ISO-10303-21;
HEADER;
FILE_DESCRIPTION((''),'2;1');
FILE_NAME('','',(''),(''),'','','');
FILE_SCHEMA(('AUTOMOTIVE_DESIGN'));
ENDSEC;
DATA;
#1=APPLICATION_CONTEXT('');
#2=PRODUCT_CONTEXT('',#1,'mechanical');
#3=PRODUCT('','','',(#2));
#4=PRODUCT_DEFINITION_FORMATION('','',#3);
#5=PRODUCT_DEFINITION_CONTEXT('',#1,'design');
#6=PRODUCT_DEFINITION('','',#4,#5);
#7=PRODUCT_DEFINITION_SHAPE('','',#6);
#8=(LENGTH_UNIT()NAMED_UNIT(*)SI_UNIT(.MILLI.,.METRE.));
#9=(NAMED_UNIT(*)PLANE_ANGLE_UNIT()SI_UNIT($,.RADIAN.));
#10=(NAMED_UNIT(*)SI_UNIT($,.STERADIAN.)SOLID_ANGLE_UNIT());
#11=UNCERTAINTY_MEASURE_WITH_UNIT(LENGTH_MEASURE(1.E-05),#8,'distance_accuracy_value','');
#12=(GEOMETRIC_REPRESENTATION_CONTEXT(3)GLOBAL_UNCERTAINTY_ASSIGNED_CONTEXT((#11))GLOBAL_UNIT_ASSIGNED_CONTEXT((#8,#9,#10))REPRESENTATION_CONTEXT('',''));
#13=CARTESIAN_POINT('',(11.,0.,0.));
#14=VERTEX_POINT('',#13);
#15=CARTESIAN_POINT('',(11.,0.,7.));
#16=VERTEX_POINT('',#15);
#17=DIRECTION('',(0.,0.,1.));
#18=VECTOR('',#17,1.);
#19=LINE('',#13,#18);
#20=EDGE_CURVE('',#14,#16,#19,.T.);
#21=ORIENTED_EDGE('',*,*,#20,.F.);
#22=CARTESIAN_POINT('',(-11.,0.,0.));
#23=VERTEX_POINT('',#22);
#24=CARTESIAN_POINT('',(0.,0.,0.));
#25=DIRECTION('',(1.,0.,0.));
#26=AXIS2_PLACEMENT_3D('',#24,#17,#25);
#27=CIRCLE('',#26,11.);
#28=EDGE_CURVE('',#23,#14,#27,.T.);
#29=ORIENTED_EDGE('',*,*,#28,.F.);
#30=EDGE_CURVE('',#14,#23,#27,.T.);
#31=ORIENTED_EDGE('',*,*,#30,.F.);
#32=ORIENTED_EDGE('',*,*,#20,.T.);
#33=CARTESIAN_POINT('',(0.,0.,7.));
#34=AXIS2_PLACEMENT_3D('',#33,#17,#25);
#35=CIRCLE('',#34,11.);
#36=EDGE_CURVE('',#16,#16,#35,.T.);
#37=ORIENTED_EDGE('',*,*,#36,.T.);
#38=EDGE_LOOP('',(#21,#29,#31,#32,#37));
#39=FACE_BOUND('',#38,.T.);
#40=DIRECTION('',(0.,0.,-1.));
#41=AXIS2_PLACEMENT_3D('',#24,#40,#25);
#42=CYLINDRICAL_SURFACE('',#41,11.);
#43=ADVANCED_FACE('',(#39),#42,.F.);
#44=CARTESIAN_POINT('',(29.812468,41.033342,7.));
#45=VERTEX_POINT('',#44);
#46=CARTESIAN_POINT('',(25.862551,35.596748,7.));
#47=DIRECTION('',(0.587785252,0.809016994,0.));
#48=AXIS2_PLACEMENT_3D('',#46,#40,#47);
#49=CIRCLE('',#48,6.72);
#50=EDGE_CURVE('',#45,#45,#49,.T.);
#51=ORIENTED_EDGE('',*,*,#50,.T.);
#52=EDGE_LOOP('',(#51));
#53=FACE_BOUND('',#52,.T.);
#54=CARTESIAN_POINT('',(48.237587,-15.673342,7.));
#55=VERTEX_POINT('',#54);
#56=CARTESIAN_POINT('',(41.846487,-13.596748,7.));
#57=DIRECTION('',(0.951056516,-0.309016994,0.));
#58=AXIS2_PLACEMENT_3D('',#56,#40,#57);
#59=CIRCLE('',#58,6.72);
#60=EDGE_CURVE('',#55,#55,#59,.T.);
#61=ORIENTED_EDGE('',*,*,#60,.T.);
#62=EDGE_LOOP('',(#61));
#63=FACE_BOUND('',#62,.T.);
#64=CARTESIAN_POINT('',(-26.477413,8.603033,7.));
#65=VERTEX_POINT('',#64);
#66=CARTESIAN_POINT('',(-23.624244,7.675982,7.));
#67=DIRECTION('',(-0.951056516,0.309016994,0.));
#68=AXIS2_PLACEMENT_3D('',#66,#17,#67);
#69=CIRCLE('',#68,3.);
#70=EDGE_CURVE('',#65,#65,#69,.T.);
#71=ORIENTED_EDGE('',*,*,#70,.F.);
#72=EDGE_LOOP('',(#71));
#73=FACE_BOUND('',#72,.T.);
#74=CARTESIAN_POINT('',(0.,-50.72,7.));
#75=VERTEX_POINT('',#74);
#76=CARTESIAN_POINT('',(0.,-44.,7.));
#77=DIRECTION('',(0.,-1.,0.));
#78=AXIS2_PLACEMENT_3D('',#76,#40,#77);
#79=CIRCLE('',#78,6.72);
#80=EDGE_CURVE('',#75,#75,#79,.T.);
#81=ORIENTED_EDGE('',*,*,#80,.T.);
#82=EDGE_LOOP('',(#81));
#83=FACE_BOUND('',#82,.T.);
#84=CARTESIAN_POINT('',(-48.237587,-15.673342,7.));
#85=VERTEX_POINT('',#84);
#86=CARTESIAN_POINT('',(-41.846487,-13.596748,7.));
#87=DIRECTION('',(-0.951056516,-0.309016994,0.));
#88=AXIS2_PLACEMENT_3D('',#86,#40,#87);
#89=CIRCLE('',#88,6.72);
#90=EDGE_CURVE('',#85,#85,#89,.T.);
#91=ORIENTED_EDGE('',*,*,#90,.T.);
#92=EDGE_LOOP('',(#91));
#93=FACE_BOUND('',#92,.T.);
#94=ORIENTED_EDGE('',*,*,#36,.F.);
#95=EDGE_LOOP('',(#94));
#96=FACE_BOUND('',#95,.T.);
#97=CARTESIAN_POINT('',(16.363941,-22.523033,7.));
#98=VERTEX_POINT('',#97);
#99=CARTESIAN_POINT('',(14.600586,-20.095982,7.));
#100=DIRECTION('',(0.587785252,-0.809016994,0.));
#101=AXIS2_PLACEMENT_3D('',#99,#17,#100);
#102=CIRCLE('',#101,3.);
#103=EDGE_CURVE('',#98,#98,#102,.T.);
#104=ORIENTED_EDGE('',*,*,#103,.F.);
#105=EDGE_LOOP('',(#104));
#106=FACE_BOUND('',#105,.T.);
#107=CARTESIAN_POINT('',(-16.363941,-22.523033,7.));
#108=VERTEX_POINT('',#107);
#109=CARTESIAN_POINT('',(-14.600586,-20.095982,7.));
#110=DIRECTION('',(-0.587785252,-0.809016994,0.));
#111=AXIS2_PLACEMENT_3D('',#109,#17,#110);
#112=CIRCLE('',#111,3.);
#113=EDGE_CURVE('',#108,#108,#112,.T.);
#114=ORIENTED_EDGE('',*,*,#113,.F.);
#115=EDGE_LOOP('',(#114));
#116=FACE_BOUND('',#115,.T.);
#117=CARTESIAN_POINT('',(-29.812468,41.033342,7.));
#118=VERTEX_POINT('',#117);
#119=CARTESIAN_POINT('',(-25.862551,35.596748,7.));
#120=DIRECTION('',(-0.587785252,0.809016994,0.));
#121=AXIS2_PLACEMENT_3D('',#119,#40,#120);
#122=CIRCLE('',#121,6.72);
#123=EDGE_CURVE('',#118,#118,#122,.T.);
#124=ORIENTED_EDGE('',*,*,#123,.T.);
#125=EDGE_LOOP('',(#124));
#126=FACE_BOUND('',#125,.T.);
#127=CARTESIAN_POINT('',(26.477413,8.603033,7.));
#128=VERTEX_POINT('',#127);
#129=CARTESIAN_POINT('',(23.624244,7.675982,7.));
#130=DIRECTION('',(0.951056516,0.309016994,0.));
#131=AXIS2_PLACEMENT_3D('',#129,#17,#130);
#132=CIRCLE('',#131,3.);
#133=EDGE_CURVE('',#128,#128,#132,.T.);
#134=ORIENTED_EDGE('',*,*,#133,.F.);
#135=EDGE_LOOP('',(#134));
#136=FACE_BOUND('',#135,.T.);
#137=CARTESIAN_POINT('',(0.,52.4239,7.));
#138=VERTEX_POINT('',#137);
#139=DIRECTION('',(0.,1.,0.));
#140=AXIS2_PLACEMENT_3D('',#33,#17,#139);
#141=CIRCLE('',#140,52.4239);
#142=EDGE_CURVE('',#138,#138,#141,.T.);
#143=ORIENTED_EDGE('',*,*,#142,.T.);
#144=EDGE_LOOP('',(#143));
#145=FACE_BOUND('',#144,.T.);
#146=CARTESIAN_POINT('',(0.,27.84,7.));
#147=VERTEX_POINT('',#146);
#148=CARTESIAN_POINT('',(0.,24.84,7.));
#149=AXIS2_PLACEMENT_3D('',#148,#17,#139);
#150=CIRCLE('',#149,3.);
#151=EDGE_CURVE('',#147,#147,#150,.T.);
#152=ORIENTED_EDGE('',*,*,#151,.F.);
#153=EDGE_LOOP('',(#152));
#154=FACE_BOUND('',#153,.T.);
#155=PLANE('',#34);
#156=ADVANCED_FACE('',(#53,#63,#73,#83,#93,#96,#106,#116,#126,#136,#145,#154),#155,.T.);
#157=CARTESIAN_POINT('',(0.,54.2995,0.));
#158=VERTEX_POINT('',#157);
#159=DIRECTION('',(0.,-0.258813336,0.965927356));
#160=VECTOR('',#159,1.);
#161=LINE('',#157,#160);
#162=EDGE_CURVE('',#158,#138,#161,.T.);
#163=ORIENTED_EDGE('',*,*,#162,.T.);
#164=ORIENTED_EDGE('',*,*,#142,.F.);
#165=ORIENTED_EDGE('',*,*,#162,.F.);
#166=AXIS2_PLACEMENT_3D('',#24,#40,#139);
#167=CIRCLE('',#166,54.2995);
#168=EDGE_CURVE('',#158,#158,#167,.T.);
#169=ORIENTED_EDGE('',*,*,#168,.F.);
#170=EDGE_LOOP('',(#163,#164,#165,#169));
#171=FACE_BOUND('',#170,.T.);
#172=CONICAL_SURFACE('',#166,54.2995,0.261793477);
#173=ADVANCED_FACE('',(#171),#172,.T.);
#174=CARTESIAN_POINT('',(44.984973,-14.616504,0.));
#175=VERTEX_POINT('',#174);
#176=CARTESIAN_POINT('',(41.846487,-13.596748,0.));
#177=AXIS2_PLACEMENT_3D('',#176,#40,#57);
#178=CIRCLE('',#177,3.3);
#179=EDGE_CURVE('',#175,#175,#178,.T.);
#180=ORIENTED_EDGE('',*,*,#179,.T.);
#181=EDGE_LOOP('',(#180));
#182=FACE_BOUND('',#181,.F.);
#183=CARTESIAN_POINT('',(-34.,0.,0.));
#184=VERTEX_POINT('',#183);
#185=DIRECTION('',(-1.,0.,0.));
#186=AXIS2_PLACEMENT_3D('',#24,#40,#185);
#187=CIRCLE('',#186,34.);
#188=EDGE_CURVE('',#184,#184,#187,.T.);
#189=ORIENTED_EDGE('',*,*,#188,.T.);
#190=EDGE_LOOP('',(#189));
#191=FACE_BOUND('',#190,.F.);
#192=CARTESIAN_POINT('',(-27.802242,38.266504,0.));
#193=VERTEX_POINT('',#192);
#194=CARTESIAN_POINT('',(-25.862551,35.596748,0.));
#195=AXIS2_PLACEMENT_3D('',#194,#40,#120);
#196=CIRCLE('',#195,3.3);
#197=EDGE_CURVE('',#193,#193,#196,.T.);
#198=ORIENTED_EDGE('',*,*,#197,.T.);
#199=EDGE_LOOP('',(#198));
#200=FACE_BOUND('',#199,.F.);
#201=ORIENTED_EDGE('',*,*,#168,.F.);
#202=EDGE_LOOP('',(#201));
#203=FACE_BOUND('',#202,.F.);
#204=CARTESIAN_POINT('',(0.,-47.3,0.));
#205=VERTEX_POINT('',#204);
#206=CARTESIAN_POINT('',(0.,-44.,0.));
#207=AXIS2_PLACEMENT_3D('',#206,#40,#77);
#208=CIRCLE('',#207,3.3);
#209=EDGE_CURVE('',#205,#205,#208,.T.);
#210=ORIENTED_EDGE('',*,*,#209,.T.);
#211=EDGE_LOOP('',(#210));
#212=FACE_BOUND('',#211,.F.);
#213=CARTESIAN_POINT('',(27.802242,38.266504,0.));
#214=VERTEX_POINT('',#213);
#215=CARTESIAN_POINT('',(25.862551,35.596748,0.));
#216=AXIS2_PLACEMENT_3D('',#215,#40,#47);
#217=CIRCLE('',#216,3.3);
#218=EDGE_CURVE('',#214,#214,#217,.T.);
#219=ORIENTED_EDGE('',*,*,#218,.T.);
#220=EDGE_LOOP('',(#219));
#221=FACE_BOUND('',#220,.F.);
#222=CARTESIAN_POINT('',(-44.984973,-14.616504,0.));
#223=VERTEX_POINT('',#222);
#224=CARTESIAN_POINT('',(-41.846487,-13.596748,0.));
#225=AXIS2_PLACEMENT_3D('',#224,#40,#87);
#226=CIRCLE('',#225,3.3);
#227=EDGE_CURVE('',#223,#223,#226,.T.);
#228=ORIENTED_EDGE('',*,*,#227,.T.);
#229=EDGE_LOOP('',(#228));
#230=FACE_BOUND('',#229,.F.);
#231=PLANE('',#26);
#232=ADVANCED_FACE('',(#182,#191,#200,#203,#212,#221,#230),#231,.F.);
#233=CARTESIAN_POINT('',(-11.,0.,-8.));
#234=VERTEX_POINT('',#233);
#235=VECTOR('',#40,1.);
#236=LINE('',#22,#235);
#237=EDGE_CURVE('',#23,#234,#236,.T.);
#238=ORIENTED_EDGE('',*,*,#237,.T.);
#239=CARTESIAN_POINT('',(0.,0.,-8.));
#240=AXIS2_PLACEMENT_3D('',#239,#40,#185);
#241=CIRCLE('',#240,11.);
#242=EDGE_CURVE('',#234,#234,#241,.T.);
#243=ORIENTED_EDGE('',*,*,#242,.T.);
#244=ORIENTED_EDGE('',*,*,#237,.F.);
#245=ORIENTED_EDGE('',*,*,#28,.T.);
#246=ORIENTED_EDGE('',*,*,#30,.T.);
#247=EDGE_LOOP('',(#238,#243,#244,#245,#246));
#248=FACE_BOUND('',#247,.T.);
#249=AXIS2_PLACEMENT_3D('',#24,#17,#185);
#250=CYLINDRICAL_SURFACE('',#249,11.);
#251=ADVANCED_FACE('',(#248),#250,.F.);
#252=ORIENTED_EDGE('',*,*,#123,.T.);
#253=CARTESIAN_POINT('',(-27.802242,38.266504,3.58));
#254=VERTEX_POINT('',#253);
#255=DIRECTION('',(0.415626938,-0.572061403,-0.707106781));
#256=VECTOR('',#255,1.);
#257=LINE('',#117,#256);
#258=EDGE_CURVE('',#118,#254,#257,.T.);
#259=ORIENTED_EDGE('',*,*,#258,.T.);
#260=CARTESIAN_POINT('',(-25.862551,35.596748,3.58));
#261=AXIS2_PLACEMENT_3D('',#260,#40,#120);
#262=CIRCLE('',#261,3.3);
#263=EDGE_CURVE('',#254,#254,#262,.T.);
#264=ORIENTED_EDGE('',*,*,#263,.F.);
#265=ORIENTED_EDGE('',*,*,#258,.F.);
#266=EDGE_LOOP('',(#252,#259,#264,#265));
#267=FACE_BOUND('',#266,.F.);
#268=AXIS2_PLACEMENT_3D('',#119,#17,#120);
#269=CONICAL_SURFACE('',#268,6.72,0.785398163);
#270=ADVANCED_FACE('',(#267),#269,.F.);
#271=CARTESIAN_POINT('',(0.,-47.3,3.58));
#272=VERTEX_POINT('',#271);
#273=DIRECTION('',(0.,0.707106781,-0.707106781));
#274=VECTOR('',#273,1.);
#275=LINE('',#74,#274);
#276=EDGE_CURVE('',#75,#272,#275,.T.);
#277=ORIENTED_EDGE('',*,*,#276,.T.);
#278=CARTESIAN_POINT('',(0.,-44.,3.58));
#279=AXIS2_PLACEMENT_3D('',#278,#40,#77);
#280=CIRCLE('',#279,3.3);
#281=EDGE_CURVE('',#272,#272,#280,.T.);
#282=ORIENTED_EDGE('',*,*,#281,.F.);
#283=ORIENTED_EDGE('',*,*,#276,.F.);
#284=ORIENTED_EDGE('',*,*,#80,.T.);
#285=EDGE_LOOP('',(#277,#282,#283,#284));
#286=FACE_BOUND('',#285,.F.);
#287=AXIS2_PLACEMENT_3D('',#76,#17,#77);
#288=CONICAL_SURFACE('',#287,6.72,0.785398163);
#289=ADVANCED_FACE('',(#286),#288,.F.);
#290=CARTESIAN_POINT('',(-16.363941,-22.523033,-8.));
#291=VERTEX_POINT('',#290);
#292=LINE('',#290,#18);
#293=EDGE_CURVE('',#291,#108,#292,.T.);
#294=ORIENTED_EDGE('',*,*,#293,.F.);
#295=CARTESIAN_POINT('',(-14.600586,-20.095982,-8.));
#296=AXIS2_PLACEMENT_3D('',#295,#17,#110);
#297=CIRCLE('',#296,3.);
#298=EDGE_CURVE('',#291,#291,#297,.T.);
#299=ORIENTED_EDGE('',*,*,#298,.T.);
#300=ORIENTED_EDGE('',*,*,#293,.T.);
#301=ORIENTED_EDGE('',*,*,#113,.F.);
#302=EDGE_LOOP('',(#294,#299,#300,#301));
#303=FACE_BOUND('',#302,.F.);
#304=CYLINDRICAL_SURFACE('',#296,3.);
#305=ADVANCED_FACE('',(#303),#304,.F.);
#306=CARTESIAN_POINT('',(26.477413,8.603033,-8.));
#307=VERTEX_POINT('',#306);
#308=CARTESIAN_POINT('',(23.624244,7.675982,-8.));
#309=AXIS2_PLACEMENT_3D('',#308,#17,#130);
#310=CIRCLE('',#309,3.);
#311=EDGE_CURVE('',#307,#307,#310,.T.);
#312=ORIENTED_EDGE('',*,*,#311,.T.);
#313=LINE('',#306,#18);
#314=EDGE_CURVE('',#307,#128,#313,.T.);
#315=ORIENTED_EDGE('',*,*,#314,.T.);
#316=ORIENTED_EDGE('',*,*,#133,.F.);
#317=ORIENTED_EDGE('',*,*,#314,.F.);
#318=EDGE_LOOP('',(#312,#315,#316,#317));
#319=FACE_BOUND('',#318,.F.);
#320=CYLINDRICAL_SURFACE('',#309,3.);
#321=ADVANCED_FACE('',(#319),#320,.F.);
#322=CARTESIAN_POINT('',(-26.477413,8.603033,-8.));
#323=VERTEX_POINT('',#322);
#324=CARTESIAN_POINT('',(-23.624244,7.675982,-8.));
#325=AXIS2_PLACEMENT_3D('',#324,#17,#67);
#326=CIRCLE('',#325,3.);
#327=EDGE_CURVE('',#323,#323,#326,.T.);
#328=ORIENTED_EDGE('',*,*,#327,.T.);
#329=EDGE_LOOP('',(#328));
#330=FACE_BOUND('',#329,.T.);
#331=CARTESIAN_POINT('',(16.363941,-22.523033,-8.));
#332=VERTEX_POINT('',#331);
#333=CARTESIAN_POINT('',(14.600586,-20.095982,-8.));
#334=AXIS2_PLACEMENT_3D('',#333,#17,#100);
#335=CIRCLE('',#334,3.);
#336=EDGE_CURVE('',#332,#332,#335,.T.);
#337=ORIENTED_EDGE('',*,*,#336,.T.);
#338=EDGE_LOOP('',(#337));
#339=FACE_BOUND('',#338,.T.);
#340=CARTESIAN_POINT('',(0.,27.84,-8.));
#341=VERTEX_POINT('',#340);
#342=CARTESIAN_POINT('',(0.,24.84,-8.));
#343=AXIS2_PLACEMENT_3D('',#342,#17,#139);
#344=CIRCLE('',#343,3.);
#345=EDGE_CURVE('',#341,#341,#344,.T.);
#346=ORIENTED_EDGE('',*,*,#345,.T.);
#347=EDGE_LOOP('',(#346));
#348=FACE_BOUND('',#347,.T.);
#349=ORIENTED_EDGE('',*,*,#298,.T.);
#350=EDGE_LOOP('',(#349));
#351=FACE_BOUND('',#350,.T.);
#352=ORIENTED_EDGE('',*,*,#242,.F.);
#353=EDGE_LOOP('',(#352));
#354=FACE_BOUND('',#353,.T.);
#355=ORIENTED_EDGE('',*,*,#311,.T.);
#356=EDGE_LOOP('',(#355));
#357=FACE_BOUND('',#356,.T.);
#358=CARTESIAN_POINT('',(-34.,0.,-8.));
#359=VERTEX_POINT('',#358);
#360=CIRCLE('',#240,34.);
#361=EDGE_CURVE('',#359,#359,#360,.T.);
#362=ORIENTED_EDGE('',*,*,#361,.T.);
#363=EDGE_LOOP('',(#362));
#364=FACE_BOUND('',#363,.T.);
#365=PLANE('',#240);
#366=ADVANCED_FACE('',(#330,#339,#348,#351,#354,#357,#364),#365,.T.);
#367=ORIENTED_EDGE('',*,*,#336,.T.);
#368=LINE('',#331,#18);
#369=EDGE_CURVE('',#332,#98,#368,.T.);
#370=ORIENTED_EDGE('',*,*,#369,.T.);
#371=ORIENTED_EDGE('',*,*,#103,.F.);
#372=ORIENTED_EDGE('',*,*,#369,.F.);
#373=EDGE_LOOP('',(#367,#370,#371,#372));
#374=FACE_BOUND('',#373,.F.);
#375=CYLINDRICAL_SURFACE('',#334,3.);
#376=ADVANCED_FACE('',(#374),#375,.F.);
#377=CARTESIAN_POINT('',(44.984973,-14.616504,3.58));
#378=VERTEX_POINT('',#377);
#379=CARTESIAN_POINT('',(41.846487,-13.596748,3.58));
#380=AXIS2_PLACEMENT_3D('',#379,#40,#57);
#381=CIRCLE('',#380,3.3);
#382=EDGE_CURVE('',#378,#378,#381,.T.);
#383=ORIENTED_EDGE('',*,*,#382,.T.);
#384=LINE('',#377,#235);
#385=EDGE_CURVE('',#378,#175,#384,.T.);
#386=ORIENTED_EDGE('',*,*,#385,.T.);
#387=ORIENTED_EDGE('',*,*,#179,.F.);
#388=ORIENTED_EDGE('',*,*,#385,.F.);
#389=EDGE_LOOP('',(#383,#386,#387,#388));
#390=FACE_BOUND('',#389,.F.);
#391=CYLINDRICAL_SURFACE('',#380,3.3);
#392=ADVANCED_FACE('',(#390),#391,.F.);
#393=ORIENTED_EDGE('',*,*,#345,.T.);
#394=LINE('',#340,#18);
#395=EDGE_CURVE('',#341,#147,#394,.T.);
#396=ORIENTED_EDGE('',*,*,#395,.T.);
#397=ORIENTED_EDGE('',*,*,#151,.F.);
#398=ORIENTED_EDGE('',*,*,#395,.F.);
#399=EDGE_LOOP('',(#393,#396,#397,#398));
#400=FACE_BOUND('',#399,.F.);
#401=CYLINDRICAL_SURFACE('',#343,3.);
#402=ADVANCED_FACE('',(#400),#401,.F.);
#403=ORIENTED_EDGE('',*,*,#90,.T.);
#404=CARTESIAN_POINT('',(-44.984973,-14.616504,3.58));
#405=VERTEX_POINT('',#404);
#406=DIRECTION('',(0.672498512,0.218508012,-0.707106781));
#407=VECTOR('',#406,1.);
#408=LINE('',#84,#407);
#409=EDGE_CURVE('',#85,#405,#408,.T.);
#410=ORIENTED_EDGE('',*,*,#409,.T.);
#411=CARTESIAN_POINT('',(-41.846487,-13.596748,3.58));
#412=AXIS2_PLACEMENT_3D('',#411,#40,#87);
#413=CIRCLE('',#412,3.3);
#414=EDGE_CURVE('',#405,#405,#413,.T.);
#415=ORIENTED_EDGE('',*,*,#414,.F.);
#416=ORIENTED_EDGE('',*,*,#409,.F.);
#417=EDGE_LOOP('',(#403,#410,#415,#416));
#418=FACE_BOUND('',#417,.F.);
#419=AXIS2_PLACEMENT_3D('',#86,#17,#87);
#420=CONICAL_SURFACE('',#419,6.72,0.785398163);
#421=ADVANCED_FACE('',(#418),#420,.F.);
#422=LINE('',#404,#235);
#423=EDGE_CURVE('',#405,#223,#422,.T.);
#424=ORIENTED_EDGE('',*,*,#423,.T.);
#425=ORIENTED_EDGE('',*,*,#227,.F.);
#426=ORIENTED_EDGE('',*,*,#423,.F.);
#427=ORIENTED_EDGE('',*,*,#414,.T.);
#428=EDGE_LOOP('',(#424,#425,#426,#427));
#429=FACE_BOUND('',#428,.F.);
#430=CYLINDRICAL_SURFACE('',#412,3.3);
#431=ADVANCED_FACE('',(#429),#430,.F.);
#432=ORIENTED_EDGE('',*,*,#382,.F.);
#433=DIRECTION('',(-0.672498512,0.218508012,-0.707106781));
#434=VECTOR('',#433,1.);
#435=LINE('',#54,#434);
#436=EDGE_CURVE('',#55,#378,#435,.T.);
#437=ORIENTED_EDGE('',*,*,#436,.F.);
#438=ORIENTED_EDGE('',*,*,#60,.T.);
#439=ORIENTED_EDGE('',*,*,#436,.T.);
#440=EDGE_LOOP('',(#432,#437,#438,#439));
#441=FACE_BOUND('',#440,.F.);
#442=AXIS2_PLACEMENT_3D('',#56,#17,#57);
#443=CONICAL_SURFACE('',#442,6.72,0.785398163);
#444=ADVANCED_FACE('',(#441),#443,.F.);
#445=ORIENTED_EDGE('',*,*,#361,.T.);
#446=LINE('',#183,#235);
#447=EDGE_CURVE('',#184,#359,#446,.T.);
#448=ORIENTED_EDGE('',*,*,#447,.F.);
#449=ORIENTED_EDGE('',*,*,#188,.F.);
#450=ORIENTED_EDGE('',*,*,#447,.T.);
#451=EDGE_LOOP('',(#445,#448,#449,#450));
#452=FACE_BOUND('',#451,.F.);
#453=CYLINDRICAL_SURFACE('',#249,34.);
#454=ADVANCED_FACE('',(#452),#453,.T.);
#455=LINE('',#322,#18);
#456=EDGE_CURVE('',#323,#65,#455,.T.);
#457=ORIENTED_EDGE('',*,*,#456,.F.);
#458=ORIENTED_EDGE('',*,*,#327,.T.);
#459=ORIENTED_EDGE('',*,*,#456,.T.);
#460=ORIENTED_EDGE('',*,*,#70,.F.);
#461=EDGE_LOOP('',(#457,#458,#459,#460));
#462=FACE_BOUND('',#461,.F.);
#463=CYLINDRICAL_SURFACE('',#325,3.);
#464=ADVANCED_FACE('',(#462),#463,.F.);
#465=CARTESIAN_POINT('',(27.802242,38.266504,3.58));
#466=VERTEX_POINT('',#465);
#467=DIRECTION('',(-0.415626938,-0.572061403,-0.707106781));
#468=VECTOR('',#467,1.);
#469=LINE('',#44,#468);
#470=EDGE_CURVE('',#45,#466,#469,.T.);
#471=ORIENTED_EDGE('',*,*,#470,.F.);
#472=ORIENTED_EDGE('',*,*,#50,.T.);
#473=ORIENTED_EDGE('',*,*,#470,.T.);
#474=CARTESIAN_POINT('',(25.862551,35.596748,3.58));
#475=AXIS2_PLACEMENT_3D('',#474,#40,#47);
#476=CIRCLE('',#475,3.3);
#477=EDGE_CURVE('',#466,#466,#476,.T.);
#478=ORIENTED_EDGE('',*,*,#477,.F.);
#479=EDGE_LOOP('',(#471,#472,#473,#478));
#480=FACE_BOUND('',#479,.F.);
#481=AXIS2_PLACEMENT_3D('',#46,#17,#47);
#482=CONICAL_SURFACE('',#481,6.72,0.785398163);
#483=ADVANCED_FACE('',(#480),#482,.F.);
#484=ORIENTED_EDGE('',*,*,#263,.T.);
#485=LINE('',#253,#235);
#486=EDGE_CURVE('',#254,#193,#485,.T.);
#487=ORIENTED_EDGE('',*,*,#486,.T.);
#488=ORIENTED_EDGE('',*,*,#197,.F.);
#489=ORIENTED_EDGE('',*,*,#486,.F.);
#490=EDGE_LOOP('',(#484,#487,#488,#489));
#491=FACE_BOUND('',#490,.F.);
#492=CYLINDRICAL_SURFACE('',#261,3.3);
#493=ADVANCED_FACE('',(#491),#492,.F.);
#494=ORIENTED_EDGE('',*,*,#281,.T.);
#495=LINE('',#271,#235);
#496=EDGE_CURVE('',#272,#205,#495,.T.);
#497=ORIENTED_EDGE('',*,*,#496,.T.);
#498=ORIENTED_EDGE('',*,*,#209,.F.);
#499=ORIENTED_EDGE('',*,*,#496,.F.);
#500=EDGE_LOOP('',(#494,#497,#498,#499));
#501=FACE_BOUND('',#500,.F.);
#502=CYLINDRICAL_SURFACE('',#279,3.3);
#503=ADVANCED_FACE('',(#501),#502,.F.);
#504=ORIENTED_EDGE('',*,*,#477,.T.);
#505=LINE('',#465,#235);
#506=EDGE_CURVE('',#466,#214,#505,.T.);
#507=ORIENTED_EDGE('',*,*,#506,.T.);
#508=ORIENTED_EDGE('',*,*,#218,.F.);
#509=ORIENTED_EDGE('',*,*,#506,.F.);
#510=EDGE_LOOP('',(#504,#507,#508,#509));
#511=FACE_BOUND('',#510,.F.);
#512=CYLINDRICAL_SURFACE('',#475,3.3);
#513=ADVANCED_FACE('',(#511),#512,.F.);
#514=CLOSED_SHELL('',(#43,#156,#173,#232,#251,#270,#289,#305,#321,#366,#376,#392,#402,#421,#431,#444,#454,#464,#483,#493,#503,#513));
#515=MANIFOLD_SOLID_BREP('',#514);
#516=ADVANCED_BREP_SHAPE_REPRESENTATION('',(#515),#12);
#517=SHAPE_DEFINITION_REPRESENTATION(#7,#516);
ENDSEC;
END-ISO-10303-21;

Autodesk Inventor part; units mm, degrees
ref_plane "YZ Plane" through (0, 0, 0) normal (1, 0, 0) x (0, 1, 0)
ref_plane "XZ Plane" through (0, 0, 0) normal (0, 1, 0) x (-1, 0, 0)
ref_plane "XY Plane" through (0, 0, 0) normal (0, 0, 1) x (1, 0, 0)
sketch "Sketch1" plane through (0, 0, 0) normal (0, 0, 1) x (1, 0, 0)
  circle A0 centre (0, 0) radius 11
  circle A1 centre (0, 0) radius 54.2995
  dimension "d0" = 22
  dimension "d1" = 108.599
extrude "Extrusion1" add sketch "Sketch1" along normal blind 7
sketch "Sketch2" plane through (0, 0, 0) normal (0, 0, -1) x (-1, 0, 0)
  circle A0 centre (0, 0) radius 11 projected
  circle A1 centre (0, 0) radius 54.2995 projected
  circle A2 centre (0, 0) radius 34
  dimension "d4" = 68
extrude "Extrusion2" add sketch "Sketch2" along normal blind 8 contours A2
sketch "Sketch3" plane through (0, 0, -8) normal (0, 0, -1) x (-1, 0, 0)
  circle A0 centre (0, 0) radius 11 projected
  point P0 (0, 24.84)
  dimension "d7" = 24.84
hole "Hole1" at (0, 24.84, -8) direction (0, 0, 1) diameter 6 end through all
sketch "Sketch4" plane through (0, 0, 7) normal (0, 0, 1) x (1, 0, 0)
  circle A0 centre (0, 0) radius 11 projected
  point P0 (0, -44)
  dimension "d15" = 44
hole "Hole2" at (0, -44, 7) direction (0, 0, -1) diameter 6.6 end through all countersink diameter 13.44 countersink angle 90
pattern_circular "Circular Pattern1" count 5 over 360 about axis through (0, 0, -10) along (0, 0, 1) of "Hole2", "Hole1"
sketch "Sketch5" plane through (0, 0, 0) normal (1, 0, 0) x (0, 1, 0)
  line L0 (21.84, 7) -> (21.84, -8) projected
  line L1 (21.84, -8) -> (11, -8) projected
  line L2 (11, -8) -> (11, 7) projected
  line L3 (11, 7) -> (21.84, 7) projected
  line L4 (-34, -8) -> (-34, 0) projected
  line L5 (-34, 0) -> (-40.7, 0) projected
  line L6 (-40.7, 0) -> (-40.7, 3.58) projected
  line L7 (-40.7, 3.58) -> (-37.28, 7) projected
  line L8 (-37.28, 7) -> (-11, 7) projected
  line L9 (-11, 7) -> (-11, -8) projected
  line L10 (-11, -8) -> (-34, -8) projected
  line L11 (-54.2995, 0) -> (-54.2995, 7) projected
  line L12 (-54.2995, 7) -> (-50.72, 7) projected
  line L13 (-50.72, 7) -> (-47.3, 3.58) projected
  line L14 (-47.3, 3.58) -> (-47.3, 0) projected
  line L15 (-47.3, 0) -> (-54.2995, 0) projected
  line L16 (54.2995, 7) -> (54.2995, 0) projected
  line L17 (54.2995, 0) -> (34, 0) projected
  line L18 (34, 0) -> (34, -8) projected
  line L19 (34, -8) -> (27.84, -8) projected
  line L20 (27.84, -8) -> (27.84, 7) projected
  line L21 (27.84, 7) -> (54.2995, 7) projected
  line L22 (54.2995, 0) -> (52.4239, 7)
  line L23 (0, -11) -> (0, 10) projected
  dimension "d26" = 15
revolve "Revolution1" cut sketch "Sketch5" angle 360 about axis through (0, 0, -10) along (0, 0, 1) contours L16 L22 L21
properties part number "332-01" material "Titanium"
